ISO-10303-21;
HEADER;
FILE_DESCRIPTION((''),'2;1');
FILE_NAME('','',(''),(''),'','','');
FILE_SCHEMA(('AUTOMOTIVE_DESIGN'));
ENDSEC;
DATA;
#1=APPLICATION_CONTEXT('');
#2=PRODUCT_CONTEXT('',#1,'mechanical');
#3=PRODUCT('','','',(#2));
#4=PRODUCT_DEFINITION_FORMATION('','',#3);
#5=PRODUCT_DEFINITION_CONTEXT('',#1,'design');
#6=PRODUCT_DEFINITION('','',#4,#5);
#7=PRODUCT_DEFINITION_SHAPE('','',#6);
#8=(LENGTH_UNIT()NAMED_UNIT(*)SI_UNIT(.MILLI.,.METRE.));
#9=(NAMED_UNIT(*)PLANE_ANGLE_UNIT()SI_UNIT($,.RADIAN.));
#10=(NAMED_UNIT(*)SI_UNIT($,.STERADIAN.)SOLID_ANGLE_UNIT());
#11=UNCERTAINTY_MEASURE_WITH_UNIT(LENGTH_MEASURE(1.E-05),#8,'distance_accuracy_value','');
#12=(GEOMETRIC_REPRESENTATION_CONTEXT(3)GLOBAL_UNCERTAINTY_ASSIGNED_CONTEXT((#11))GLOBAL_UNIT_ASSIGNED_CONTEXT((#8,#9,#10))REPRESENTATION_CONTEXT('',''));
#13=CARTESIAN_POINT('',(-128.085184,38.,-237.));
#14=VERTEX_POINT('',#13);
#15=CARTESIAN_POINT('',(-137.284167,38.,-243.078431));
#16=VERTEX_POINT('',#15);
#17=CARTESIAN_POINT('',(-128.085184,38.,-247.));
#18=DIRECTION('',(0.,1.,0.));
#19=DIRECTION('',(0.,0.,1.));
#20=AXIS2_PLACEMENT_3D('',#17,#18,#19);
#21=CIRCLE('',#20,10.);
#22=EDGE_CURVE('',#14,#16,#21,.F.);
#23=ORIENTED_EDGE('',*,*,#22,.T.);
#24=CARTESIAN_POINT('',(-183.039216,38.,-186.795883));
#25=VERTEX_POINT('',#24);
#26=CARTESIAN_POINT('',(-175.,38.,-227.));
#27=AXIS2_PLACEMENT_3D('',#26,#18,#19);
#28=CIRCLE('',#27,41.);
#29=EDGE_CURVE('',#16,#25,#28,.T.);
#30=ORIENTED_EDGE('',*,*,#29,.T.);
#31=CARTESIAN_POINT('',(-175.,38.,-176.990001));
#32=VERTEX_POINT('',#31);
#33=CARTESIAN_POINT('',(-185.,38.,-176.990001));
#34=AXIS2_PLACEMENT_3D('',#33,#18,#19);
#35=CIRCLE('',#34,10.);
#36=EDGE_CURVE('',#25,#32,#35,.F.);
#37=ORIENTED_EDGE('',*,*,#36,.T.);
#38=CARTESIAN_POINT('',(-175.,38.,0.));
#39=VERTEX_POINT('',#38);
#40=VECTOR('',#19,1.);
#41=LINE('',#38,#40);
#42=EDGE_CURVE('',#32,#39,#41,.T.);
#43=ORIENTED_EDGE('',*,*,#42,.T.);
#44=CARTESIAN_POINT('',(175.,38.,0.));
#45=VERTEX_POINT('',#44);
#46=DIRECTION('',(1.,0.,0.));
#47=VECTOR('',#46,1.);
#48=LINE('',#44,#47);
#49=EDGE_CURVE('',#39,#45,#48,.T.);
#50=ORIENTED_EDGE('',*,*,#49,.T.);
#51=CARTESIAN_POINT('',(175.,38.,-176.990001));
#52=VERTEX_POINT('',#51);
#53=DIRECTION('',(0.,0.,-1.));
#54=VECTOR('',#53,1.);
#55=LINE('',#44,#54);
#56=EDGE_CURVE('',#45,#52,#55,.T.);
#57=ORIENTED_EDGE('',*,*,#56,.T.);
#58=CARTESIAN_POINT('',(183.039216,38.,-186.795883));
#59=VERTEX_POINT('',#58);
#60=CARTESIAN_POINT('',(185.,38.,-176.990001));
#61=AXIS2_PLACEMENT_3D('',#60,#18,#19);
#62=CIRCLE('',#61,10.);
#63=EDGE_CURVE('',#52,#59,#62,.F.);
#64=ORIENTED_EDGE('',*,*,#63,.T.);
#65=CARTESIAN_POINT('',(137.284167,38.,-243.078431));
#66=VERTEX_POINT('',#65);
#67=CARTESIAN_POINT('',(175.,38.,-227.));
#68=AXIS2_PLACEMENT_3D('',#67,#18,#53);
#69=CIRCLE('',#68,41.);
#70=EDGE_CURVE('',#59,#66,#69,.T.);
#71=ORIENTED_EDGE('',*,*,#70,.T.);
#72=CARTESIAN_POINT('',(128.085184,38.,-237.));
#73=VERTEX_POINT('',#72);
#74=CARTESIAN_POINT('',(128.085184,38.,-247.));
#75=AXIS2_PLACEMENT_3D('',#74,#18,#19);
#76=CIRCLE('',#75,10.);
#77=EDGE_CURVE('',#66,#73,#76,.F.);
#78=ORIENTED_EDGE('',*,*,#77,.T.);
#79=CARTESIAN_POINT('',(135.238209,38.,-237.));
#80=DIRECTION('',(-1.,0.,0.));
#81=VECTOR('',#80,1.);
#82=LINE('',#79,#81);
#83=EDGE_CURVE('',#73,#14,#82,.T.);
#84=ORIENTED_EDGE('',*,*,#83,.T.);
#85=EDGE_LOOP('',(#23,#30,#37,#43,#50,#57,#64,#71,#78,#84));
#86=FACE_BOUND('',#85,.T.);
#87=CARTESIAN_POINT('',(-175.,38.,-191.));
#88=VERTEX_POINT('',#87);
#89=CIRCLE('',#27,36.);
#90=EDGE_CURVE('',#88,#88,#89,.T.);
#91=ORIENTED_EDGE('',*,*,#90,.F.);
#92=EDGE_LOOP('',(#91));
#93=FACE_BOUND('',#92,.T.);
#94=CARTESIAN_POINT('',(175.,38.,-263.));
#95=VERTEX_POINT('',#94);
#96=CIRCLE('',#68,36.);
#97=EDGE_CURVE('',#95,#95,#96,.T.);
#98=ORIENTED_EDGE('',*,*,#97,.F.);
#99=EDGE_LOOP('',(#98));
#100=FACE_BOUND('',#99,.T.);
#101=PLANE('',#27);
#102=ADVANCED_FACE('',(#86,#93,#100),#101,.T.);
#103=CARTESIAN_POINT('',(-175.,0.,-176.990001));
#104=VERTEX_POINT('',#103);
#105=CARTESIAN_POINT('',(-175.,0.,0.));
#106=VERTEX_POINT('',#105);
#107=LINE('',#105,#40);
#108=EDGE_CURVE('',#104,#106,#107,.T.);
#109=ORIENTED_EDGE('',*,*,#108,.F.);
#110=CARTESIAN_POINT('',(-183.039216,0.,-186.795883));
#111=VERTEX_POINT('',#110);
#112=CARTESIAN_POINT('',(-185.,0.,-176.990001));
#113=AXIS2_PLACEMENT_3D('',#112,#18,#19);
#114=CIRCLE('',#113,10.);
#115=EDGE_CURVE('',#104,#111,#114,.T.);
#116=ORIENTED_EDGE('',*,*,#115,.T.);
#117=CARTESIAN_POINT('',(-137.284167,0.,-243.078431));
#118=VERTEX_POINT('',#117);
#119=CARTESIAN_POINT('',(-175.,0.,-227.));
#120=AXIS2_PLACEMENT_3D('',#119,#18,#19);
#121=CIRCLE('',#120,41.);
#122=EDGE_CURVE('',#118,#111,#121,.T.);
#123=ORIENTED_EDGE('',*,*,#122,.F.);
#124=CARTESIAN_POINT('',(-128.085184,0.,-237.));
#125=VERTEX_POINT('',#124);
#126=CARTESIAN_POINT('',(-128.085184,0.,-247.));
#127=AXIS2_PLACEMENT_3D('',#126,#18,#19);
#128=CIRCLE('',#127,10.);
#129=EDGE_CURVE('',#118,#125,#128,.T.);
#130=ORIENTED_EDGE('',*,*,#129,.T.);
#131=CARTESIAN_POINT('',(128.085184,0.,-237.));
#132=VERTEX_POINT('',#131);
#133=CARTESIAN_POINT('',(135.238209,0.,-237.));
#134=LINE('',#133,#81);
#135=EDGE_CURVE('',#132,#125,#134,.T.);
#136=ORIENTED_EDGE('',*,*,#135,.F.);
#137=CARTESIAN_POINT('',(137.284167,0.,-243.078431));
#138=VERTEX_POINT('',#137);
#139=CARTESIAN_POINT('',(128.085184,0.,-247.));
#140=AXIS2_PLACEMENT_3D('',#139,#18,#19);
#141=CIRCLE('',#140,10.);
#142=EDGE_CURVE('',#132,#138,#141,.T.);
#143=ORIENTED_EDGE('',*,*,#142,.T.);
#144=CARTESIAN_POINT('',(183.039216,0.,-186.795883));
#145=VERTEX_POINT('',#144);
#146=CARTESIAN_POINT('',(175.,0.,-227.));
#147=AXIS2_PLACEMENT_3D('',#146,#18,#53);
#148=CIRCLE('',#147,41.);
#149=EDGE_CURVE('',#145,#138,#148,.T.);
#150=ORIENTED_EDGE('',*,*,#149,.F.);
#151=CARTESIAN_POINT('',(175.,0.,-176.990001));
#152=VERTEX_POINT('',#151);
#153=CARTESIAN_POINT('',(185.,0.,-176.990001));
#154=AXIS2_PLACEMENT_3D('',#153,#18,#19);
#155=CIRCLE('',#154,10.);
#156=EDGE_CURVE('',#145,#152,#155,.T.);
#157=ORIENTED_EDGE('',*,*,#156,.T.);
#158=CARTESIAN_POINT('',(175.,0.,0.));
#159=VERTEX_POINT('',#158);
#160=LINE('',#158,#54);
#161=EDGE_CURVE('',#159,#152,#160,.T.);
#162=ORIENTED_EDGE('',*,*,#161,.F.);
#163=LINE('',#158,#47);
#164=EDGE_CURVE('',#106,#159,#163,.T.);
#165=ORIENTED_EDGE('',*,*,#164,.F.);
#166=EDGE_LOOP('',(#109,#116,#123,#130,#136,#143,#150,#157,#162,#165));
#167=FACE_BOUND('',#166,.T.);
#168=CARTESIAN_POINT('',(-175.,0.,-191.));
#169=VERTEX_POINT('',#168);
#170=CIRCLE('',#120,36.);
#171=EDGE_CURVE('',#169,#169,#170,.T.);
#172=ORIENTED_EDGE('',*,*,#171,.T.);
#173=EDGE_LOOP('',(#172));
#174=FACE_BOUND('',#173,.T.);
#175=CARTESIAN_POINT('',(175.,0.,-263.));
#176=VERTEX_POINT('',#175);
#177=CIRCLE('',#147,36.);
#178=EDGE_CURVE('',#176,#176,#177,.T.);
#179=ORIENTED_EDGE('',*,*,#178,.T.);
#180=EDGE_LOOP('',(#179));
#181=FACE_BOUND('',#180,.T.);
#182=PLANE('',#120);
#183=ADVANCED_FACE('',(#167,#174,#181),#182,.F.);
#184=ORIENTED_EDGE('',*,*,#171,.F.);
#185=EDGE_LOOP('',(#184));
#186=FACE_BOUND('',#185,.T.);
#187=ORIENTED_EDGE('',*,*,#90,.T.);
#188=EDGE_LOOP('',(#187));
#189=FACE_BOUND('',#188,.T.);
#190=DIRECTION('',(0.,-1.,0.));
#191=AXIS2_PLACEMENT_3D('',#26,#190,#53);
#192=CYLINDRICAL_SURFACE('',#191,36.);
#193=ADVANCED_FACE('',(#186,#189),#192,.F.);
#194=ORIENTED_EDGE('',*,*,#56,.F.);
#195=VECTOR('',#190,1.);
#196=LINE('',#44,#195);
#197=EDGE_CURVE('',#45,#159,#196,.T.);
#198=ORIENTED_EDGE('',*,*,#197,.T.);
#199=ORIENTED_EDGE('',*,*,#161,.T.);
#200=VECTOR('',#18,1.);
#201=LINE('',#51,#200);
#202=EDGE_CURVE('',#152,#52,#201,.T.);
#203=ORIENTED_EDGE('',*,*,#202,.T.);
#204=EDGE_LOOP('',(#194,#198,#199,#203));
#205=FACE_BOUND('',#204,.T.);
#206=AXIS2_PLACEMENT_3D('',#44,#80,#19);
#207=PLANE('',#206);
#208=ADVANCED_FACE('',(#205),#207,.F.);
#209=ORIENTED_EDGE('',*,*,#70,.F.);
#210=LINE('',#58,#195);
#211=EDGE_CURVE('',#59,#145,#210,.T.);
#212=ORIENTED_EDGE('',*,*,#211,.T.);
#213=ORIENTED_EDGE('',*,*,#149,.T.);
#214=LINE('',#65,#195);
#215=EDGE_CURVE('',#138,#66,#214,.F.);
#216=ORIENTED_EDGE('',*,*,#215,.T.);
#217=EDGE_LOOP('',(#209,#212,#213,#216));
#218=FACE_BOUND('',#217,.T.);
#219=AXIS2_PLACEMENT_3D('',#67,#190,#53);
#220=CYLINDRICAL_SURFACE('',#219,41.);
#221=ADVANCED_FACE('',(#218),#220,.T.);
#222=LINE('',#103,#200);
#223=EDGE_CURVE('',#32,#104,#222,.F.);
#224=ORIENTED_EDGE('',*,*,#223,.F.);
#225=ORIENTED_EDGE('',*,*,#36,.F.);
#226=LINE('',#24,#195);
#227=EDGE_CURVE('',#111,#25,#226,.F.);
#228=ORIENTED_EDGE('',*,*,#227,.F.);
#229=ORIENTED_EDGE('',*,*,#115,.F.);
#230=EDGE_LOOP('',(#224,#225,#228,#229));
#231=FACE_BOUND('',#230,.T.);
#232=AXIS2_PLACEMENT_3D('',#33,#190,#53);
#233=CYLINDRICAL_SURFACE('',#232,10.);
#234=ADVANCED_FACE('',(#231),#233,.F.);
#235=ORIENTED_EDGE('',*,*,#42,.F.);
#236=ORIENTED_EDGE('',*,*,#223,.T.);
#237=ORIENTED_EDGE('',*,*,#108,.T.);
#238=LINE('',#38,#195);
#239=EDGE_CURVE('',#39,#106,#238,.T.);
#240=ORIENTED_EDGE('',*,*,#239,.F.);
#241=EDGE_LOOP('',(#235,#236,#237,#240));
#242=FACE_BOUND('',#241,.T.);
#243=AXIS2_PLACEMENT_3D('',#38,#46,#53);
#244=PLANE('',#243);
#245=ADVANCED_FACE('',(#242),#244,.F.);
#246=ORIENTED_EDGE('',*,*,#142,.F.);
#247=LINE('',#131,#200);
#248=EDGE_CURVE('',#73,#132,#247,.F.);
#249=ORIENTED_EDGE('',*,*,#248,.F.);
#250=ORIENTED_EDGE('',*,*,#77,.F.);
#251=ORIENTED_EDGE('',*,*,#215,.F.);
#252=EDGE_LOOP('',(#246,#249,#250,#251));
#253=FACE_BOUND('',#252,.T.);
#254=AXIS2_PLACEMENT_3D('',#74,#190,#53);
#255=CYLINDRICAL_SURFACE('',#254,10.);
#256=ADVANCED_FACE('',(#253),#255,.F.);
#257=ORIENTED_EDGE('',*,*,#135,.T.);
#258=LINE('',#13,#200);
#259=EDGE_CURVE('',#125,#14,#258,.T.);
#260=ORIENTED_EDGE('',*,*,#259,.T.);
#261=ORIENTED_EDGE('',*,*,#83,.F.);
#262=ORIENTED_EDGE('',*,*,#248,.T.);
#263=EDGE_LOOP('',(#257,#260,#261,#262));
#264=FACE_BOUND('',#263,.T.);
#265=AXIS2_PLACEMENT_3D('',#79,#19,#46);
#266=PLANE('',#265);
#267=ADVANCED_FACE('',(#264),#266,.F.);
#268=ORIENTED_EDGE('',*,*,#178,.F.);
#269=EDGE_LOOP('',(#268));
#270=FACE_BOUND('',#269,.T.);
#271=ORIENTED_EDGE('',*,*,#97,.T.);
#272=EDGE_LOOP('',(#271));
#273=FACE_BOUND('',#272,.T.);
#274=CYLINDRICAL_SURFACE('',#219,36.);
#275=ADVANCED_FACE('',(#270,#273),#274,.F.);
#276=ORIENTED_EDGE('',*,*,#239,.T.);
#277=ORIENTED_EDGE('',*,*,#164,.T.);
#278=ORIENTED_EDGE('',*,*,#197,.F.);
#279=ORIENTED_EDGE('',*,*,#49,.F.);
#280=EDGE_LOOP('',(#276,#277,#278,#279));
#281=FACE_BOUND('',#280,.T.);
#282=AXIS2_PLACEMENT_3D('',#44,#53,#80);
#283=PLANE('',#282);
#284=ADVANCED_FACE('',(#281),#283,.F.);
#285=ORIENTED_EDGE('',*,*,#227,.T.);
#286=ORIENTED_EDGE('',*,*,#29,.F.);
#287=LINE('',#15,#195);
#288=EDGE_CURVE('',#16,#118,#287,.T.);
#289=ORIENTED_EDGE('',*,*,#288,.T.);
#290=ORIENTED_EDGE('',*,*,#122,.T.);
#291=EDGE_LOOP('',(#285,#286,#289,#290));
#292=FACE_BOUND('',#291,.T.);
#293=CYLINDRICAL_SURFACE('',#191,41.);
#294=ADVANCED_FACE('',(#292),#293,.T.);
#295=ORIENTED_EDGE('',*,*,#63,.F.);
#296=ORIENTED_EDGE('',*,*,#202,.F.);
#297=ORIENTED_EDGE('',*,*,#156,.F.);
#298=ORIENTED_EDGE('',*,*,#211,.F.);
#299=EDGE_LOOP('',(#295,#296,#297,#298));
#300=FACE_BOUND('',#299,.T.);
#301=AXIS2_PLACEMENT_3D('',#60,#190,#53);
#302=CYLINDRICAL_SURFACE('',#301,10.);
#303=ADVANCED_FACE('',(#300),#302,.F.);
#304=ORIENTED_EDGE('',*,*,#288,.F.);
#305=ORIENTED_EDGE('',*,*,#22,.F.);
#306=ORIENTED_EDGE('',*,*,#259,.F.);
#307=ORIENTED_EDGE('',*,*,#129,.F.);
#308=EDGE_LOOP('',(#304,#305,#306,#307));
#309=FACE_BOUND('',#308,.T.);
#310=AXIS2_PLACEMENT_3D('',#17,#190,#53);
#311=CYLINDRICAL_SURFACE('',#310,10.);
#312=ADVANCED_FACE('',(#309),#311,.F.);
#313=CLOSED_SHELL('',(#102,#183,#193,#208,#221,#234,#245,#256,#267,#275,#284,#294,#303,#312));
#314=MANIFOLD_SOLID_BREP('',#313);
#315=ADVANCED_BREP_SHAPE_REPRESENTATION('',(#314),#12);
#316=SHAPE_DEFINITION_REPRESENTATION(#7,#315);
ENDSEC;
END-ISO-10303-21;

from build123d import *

# Parameters (mm, degrees)
SKETCH1_R           = 36
BOSS_EXTRUDE1_DEPTH = 38
FILLET1_R           = 10


with BuildPart() as part:
    # Sketch1 → Boss-Extrude1 (new body)
    with BuildSketch(Plane(origin=(0, 0, 0), x_dir=(1, 0, 0), z_dir=(0, 1, 0))):
        with BuildLine():
            Line((175, 0), (-175, 0))
            Line((-175, 0), (-175, 186))
            ThreePointArc((-175, 186), (-207.334192428, 252.209125332), (-135.238209296, 237))
            Line((-135.238209296, 237), (135.238209296, 237))
            ThreePointArc((135.238209296, 237), (207.334192428, 252.209125332), (175, 186))
            Line((175, 186), (175, 0))
        make_face()
        with Locations((-175, 227)):
            Circle(SKETCH1_R, mode=Mode.SUBTRACT)
        with Locations((175, 227)):
            Circle(SKETCH1_R, mode=Mode.SUBTRACT)
    extrude(amount=BOSS_EXTRUDE1_DEPTH)

    # Fillet1
    fillet1_edges = [part.edges().sort_by_distance(p)[0] for p in [
        (-175, 19, -186),
        (-135.238209296, 19, -237),
        (135.238209296, 19, -237),
        (175, 19, -186),
    ]]
    fillet(fillet1_edges, radius=FILLET1_R)


solid = part.part
